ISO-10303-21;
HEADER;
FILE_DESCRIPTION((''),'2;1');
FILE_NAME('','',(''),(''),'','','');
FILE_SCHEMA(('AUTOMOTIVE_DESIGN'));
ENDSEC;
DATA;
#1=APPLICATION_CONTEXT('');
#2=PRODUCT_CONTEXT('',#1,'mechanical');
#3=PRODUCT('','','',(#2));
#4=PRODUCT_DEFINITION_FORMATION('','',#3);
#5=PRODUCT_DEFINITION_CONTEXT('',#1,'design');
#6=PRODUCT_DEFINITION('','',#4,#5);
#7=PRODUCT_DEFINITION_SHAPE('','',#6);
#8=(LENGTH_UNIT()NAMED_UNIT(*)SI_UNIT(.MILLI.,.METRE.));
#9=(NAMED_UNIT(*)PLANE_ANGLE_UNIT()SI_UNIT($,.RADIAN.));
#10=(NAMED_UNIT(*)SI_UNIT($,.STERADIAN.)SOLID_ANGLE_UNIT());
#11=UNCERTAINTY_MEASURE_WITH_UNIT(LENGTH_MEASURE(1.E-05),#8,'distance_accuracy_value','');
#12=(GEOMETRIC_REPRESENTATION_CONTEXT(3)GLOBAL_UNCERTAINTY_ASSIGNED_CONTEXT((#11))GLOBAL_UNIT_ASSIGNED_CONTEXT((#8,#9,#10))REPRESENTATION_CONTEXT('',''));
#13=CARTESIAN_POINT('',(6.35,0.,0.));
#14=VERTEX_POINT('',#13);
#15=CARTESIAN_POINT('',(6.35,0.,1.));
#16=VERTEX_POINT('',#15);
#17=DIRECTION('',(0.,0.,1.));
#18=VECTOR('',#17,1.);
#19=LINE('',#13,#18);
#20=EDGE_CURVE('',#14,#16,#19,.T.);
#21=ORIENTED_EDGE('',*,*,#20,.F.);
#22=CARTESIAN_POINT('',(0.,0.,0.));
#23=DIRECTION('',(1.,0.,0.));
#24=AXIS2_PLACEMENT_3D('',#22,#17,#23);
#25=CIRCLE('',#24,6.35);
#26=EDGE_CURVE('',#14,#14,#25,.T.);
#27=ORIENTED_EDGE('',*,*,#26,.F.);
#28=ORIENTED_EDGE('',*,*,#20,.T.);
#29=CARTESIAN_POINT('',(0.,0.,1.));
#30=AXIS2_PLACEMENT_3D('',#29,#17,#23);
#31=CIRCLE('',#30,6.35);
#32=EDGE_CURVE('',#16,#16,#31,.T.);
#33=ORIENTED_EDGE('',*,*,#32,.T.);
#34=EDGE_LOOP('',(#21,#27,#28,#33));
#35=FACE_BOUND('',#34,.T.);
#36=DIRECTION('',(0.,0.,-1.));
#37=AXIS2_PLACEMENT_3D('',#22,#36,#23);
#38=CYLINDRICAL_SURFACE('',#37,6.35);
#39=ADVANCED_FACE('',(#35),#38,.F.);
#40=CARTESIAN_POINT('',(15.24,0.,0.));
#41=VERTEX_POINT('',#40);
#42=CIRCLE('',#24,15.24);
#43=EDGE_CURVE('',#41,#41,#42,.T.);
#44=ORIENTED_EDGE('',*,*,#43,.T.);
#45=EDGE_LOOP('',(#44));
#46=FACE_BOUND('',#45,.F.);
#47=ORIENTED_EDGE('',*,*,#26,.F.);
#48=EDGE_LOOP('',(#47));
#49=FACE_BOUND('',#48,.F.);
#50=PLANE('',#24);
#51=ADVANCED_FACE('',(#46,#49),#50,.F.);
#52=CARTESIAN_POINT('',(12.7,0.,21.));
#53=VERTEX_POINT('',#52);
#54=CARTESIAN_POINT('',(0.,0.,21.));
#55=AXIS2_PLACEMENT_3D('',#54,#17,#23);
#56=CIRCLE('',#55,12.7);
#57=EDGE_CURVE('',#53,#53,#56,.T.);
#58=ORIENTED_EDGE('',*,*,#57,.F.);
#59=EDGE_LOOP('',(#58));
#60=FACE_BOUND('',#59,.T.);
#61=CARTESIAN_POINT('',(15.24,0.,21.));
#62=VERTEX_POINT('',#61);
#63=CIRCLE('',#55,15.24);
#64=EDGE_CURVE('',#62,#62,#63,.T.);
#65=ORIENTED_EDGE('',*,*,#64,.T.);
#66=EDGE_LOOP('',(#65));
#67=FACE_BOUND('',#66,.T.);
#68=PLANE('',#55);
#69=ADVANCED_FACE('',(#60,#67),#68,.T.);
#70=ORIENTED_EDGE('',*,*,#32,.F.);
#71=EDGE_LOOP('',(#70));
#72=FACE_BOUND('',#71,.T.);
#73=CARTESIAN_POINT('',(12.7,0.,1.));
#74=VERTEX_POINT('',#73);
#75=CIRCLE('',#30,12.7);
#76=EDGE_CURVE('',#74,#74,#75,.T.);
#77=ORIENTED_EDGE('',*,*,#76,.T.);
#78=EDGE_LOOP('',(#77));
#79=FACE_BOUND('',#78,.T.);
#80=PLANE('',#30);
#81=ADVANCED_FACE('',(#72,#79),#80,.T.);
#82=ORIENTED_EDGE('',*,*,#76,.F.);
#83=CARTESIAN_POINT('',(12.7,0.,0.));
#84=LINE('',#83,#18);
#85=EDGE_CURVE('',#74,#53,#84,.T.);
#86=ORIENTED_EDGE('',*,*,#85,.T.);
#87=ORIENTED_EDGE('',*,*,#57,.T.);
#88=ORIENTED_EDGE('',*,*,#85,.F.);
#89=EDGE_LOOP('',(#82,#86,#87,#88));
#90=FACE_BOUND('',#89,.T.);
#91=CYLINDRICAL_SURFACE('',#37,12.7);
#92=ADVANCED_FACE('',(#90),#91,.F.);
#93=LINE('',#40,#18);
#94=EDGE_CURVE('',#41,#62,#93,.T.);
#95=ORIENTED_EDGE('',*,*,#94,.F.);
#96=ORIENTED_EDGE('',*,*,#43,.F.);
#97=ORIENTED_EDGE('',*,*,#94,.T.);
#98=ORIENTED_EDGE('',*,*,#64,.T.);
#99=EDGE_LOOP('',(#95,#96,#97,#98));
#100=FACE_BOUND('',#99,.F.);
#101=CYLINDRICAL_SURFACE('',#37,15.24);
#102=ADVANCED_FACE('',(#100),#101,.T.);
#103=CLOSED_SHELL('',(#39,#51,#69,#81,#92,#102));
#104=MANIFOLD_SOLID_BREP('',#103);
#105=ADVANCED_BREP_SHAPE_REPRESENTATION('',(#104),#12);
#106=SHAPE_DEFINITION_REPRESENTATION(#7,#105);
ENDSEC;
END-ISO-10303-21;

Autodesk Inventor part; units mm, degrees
ref_plane "YZ Plane" through (0, 0, 0) normal (1, 0, 0) x (0, 1, 0)
ref_plane "XZ Plane" through (0, 0, 0) normal (0, 1, 0) x (-1, 0, 0)
ref_plane "XY Plane" through (0, 0, 0) normal (0, 0, 1) x (1, 0, 0)
sketch "Sketch1" plane through (0, 0, 0) normal (0, 0, 1) x (1, 0, 0)
  circle A0 centre (0, 0) radius 15.24
  circle A1 centre (0, 0) radius 12.7
  circle A2 centre (0, 0) radius 6.35
  dimension "d0" = 30.48
  dimension "d1" = 25.4
  dimension "d4" = 12.7
extrude "Extrusion1" add sketch "Sketch1" along normal blind 21 contours A0
extrude "Extrusion2" add sketch "Sketch1" along normal blind 1 contours A1
properties part number "Laser tube4" material "Aluminum 6061"
